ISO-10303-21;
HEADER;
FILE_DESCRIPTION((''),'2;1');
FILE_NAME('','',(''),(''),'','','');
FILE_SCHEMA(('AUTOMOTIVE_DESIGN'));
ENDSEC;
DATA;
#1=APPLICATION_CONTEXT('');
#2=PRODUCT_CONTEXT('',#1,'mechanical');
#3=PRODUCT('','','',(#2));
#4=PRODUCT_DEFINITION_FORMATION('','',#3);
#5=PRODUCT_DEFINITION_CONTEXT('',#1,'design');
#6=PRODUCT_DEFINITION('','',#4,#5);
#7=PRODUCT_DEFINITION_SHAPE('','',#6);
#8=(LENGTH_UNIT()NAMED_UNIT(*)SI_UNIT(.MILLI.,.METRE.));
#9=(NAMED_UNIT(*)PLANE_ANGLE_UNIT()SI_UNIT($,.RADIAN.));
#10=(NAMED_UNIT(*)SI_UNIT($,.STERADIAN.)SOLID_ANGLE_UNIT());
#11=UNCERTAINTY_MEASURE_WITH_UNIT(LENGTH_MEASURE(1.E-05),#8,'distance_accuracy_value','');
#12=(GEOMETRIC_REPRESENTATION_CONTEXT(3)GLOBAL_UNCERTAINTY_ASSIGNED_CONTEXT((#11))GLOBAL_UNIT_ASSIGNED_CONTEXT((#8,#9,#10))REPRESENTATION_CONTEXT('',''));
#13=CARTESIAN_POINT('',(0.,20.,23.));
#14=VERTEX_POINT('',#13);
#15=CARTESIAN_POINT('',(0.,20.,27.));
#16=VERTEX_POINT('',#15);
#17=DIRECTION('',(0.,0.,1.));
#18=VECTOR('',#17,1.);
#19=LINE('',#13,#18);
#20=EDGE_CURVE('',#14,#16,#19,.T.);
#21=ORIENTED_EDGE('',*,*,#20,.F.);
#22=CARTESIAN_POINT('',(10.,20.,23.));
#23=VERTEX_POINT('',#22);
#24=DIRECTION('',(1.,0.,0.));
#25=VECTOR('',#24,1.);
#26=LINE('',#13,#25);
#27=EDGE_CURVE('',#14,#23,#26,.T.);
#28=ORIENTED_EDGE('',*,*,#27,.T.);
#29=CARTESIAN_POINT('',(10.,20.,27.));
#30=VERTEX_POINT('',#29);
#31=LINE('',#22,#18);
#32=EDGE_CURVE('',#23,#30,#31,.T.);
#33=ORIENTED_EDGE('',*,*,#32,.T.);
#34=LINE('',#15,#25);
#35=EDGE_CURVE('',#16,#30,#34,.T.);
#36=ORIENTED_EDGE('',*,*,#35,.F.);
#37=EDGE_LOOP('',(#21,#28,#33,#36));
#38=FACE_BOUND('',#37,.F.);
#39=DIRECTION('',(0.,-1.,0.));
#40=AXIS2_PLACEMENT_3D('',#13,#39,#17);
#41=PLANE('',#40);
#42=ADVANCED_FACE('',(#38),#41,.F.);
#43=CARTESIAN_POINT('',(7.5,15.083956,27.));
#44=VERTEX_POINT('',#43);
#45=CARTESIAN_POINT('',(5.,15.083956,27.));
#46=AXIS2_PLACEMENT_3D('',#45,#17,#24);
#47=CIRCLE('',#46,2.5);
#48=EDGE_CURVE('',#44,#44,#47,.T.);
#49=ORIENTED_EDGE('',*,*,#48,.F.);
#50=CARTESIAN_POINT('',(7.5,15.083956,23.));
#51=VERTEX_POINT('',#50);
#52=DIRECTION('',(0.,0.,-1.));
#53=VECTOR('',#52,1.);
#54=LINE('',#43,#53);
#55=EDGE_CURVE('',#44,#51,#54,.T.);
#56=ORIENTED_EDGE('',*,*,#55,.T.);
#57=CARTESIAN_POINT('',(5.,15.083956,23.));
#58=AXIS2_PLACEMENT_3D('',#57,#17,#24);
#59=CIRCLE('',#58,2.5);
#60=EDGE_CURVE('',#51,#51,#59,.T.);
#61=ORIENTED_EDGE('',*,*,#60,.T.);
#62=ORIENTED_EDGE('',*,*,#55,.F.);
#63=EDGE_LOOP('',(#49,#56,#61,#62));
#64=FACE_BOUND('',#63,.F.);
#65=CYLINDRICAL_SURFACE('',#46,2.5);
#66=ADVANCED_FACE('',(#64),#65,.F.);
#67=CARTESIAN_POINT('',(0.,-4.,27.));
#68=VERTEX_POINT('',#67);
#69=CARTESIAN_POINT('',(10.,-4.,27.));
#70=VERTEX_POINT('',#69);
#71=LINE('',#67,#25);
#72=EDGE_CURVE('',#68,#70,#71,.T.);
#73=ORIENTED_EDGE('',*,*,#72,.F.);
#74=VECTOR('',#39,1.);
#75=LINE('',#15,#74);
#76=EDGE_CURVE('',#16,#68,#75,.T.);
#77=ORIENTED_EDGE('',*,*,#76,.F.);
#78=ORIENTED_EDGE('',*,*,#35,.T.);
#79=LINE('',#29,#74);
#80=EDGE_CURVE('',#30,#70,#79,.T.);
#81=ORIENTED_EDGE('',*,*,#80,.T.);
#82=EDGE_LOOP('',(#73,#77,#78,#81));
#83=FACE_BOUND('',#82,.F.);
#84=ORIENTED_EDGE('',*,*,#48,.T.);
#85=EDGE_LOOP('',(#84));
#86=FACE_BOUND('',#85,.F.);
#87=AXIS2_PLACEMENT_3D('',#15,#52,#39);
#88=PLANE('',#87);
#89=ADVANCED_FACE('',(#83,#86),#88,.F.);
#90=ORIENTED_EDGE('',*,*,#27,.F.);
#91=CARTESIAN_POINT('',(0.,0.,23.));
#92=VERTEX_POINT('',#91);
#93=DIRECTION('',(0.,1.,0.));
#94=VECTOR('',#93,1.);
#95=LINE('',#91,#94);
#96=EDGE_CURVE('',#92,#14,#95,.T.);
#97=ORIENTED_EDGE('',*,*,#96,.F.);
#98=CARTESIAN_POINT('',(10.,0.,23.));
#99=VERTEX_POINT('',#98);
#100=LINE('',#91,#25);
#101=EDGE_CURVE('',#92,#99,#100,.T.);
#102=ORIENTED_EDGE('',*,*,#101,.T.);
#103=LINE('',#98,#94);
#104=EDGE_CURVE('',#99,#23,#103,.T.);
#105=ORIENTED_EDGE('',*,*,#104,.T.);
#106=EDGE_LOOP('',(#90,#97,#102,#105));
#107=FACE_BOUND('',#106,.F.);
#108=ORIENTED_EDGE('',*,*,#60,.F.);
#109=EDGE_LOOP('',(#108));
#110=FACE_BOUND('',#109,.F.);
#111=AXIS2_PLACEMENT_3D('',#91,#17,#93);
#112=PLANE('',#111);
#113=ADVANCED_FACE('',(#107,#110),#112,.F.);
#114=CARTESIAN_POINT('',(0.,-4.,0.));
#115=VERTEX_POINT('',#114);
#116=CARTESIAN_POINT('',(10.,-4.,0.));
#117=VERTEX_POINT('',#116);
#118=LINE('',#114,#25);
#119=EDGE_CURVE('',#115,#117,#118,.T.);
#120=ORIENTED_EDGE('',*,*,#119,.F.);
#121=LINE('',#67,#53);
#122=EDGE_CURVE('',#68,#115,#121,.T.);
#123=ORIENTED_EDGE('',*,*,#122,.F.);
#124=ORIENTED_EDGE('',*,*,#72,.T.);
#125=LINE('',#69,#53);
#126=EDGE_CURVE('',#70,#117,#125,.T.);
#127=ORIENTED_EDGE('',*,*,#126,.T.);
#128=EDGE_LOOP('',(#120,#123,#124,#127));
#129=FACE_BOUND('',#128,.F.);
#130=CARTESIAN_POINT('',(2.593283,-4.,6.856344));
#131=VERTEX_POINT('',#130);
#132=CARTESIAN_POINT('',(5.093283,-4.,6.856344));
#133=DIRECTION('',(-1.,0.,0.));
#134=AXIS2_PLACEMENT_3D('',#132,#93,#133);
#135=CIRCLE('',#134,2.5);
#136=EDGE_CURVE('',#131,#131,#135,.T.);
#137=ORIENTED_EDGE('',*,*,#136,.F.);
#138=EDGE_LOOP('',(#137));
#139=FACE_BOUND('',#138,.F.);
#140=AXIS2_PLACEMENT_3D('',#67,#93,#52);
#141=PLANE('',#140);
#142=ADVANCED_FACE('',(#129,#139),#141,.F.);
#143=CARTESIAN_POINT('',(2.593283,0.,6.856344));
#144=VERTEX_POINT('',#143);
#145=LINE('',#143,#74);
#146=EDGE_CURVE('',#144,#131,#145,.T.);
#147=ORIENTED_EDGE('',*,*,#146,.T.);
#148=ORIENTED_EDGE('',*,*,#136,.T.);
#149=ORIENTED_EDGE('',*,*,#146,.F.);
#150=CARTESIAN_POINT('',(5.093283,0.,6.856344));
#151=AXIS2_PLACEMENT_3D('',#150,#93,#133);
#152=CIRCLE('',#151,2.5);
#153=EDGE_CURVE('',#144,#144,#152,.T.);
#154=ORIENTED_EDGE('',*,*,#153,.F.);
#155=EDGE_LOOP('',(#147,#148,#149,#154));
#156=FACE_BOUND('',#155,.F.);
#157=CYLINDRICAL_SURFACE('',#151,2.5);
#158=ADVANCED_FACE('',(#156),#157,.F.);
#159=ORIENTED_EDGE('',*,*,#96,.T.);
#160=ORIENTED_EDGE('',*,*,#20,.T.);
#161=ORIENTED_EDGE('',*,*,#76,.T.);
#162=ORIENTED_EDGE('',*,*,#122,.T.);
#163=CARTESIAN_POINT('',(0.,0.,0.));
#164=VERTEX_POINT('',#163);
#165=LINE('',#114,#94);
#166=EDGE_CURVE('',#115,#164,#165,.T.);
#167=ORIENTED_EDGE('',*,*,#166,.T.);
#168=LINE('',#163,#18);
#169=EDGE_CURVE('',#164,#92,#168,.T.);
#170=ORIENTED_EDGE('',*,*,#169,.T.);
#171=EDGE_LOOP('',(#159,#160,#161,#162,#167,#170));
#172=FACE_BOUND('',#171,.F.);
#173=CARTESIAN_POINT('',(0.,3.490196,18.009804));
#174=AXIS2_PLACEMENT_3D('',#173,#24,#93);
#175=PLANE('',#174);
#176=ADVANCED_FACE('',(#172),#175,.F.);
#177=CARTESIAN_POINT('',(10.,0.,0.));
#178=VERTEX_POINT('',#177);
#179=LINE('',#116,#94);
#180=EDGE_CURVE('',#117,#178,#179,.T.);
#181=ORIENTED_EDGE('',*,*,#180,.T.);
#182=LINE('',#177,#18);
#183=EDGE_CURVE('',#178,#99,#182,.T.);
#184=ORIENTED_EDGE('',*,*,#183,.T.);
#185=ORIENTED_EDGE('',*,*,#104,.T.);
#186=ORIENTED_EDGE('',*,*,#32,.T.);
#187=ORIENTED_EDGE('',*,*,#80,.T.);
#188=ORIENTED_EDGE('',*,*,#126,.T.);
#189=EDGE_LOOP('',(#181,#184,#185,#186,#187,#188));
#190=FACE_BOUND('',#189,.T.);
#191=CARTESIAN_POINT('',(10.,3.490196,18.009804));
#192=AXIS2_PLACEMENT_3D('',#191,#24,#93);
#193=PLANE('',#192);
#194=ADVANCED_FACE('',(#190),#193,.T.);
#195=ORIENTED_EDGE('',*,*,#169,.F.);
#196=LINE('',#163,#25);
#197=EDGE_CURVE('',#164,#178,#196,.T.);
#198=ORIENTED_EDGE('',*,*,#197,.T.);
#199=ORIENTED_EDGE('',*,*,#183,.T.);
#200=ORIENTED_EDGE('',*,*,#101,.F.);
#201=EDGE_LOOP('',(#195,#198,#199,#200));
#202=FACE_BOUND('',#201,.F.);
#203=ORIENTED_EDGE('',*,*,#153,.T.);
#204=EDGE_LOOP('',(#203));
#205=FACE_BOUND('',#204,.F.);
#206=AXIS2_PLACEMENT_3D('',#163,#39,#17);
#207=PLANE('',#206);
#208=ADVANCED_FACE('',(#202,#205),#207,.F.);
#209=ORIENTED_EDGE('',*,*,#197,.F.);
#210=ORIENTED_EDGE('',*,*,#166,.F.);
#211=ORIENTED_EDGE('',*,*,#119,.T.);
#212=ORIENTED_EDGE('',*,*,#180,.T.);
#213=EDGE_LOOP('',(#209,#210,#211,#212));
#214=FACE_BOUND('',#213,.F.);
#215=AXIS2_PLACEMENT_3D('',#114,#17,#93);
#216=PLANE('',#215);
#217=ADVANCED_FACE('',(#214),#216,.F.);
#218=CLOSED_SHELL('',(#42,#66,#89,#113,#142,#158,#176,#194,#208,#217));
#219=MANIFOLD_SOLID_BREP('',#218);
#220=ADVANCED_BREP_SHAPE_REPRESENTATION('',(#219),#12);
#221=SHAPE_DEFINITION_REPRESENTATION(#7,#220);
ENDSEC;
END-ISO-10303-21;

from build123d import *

# Parameters (mm, degrees)
F1_DEPTH = 10
F2_R     = 2.5
F3_DEPTH = 25
F4_R     = 2.5
F5_DEPTH = 36.2


with BuildPart() as f1:
    # F0 (on Right) → F1 (new body)
    with BuildSketch(Plane.YZ):
        Polygon((-4, 0), (0, 0), (0, 23), (20, 23), (20, 27), (-4, 27), align=None)
    extrude(amount=F1_DEPTH)

    # F2 (on face) → F3 (cut)
    with BuildSketch(Plane(origin=(0, 0, 0), x_dir=(-1, 0, 0), z_dir=(0, 1, 0))):
        with Locations((-5.093283, 6.856344)):
            Circle(F2_R)
    extrude(amount=-F3_DEPTH, mode=Mode.SUBTRACT)

    # F4 (on face) → F5 (cut)
    with BuildSketch(Plane.XY.offset(27)):
        with Locations((5, 15.083956)):
            Circle(F4_R)
    extrude(amount=-F5_DEPTH, mode=Mode.SUBTRACT)


solid = f1.part
